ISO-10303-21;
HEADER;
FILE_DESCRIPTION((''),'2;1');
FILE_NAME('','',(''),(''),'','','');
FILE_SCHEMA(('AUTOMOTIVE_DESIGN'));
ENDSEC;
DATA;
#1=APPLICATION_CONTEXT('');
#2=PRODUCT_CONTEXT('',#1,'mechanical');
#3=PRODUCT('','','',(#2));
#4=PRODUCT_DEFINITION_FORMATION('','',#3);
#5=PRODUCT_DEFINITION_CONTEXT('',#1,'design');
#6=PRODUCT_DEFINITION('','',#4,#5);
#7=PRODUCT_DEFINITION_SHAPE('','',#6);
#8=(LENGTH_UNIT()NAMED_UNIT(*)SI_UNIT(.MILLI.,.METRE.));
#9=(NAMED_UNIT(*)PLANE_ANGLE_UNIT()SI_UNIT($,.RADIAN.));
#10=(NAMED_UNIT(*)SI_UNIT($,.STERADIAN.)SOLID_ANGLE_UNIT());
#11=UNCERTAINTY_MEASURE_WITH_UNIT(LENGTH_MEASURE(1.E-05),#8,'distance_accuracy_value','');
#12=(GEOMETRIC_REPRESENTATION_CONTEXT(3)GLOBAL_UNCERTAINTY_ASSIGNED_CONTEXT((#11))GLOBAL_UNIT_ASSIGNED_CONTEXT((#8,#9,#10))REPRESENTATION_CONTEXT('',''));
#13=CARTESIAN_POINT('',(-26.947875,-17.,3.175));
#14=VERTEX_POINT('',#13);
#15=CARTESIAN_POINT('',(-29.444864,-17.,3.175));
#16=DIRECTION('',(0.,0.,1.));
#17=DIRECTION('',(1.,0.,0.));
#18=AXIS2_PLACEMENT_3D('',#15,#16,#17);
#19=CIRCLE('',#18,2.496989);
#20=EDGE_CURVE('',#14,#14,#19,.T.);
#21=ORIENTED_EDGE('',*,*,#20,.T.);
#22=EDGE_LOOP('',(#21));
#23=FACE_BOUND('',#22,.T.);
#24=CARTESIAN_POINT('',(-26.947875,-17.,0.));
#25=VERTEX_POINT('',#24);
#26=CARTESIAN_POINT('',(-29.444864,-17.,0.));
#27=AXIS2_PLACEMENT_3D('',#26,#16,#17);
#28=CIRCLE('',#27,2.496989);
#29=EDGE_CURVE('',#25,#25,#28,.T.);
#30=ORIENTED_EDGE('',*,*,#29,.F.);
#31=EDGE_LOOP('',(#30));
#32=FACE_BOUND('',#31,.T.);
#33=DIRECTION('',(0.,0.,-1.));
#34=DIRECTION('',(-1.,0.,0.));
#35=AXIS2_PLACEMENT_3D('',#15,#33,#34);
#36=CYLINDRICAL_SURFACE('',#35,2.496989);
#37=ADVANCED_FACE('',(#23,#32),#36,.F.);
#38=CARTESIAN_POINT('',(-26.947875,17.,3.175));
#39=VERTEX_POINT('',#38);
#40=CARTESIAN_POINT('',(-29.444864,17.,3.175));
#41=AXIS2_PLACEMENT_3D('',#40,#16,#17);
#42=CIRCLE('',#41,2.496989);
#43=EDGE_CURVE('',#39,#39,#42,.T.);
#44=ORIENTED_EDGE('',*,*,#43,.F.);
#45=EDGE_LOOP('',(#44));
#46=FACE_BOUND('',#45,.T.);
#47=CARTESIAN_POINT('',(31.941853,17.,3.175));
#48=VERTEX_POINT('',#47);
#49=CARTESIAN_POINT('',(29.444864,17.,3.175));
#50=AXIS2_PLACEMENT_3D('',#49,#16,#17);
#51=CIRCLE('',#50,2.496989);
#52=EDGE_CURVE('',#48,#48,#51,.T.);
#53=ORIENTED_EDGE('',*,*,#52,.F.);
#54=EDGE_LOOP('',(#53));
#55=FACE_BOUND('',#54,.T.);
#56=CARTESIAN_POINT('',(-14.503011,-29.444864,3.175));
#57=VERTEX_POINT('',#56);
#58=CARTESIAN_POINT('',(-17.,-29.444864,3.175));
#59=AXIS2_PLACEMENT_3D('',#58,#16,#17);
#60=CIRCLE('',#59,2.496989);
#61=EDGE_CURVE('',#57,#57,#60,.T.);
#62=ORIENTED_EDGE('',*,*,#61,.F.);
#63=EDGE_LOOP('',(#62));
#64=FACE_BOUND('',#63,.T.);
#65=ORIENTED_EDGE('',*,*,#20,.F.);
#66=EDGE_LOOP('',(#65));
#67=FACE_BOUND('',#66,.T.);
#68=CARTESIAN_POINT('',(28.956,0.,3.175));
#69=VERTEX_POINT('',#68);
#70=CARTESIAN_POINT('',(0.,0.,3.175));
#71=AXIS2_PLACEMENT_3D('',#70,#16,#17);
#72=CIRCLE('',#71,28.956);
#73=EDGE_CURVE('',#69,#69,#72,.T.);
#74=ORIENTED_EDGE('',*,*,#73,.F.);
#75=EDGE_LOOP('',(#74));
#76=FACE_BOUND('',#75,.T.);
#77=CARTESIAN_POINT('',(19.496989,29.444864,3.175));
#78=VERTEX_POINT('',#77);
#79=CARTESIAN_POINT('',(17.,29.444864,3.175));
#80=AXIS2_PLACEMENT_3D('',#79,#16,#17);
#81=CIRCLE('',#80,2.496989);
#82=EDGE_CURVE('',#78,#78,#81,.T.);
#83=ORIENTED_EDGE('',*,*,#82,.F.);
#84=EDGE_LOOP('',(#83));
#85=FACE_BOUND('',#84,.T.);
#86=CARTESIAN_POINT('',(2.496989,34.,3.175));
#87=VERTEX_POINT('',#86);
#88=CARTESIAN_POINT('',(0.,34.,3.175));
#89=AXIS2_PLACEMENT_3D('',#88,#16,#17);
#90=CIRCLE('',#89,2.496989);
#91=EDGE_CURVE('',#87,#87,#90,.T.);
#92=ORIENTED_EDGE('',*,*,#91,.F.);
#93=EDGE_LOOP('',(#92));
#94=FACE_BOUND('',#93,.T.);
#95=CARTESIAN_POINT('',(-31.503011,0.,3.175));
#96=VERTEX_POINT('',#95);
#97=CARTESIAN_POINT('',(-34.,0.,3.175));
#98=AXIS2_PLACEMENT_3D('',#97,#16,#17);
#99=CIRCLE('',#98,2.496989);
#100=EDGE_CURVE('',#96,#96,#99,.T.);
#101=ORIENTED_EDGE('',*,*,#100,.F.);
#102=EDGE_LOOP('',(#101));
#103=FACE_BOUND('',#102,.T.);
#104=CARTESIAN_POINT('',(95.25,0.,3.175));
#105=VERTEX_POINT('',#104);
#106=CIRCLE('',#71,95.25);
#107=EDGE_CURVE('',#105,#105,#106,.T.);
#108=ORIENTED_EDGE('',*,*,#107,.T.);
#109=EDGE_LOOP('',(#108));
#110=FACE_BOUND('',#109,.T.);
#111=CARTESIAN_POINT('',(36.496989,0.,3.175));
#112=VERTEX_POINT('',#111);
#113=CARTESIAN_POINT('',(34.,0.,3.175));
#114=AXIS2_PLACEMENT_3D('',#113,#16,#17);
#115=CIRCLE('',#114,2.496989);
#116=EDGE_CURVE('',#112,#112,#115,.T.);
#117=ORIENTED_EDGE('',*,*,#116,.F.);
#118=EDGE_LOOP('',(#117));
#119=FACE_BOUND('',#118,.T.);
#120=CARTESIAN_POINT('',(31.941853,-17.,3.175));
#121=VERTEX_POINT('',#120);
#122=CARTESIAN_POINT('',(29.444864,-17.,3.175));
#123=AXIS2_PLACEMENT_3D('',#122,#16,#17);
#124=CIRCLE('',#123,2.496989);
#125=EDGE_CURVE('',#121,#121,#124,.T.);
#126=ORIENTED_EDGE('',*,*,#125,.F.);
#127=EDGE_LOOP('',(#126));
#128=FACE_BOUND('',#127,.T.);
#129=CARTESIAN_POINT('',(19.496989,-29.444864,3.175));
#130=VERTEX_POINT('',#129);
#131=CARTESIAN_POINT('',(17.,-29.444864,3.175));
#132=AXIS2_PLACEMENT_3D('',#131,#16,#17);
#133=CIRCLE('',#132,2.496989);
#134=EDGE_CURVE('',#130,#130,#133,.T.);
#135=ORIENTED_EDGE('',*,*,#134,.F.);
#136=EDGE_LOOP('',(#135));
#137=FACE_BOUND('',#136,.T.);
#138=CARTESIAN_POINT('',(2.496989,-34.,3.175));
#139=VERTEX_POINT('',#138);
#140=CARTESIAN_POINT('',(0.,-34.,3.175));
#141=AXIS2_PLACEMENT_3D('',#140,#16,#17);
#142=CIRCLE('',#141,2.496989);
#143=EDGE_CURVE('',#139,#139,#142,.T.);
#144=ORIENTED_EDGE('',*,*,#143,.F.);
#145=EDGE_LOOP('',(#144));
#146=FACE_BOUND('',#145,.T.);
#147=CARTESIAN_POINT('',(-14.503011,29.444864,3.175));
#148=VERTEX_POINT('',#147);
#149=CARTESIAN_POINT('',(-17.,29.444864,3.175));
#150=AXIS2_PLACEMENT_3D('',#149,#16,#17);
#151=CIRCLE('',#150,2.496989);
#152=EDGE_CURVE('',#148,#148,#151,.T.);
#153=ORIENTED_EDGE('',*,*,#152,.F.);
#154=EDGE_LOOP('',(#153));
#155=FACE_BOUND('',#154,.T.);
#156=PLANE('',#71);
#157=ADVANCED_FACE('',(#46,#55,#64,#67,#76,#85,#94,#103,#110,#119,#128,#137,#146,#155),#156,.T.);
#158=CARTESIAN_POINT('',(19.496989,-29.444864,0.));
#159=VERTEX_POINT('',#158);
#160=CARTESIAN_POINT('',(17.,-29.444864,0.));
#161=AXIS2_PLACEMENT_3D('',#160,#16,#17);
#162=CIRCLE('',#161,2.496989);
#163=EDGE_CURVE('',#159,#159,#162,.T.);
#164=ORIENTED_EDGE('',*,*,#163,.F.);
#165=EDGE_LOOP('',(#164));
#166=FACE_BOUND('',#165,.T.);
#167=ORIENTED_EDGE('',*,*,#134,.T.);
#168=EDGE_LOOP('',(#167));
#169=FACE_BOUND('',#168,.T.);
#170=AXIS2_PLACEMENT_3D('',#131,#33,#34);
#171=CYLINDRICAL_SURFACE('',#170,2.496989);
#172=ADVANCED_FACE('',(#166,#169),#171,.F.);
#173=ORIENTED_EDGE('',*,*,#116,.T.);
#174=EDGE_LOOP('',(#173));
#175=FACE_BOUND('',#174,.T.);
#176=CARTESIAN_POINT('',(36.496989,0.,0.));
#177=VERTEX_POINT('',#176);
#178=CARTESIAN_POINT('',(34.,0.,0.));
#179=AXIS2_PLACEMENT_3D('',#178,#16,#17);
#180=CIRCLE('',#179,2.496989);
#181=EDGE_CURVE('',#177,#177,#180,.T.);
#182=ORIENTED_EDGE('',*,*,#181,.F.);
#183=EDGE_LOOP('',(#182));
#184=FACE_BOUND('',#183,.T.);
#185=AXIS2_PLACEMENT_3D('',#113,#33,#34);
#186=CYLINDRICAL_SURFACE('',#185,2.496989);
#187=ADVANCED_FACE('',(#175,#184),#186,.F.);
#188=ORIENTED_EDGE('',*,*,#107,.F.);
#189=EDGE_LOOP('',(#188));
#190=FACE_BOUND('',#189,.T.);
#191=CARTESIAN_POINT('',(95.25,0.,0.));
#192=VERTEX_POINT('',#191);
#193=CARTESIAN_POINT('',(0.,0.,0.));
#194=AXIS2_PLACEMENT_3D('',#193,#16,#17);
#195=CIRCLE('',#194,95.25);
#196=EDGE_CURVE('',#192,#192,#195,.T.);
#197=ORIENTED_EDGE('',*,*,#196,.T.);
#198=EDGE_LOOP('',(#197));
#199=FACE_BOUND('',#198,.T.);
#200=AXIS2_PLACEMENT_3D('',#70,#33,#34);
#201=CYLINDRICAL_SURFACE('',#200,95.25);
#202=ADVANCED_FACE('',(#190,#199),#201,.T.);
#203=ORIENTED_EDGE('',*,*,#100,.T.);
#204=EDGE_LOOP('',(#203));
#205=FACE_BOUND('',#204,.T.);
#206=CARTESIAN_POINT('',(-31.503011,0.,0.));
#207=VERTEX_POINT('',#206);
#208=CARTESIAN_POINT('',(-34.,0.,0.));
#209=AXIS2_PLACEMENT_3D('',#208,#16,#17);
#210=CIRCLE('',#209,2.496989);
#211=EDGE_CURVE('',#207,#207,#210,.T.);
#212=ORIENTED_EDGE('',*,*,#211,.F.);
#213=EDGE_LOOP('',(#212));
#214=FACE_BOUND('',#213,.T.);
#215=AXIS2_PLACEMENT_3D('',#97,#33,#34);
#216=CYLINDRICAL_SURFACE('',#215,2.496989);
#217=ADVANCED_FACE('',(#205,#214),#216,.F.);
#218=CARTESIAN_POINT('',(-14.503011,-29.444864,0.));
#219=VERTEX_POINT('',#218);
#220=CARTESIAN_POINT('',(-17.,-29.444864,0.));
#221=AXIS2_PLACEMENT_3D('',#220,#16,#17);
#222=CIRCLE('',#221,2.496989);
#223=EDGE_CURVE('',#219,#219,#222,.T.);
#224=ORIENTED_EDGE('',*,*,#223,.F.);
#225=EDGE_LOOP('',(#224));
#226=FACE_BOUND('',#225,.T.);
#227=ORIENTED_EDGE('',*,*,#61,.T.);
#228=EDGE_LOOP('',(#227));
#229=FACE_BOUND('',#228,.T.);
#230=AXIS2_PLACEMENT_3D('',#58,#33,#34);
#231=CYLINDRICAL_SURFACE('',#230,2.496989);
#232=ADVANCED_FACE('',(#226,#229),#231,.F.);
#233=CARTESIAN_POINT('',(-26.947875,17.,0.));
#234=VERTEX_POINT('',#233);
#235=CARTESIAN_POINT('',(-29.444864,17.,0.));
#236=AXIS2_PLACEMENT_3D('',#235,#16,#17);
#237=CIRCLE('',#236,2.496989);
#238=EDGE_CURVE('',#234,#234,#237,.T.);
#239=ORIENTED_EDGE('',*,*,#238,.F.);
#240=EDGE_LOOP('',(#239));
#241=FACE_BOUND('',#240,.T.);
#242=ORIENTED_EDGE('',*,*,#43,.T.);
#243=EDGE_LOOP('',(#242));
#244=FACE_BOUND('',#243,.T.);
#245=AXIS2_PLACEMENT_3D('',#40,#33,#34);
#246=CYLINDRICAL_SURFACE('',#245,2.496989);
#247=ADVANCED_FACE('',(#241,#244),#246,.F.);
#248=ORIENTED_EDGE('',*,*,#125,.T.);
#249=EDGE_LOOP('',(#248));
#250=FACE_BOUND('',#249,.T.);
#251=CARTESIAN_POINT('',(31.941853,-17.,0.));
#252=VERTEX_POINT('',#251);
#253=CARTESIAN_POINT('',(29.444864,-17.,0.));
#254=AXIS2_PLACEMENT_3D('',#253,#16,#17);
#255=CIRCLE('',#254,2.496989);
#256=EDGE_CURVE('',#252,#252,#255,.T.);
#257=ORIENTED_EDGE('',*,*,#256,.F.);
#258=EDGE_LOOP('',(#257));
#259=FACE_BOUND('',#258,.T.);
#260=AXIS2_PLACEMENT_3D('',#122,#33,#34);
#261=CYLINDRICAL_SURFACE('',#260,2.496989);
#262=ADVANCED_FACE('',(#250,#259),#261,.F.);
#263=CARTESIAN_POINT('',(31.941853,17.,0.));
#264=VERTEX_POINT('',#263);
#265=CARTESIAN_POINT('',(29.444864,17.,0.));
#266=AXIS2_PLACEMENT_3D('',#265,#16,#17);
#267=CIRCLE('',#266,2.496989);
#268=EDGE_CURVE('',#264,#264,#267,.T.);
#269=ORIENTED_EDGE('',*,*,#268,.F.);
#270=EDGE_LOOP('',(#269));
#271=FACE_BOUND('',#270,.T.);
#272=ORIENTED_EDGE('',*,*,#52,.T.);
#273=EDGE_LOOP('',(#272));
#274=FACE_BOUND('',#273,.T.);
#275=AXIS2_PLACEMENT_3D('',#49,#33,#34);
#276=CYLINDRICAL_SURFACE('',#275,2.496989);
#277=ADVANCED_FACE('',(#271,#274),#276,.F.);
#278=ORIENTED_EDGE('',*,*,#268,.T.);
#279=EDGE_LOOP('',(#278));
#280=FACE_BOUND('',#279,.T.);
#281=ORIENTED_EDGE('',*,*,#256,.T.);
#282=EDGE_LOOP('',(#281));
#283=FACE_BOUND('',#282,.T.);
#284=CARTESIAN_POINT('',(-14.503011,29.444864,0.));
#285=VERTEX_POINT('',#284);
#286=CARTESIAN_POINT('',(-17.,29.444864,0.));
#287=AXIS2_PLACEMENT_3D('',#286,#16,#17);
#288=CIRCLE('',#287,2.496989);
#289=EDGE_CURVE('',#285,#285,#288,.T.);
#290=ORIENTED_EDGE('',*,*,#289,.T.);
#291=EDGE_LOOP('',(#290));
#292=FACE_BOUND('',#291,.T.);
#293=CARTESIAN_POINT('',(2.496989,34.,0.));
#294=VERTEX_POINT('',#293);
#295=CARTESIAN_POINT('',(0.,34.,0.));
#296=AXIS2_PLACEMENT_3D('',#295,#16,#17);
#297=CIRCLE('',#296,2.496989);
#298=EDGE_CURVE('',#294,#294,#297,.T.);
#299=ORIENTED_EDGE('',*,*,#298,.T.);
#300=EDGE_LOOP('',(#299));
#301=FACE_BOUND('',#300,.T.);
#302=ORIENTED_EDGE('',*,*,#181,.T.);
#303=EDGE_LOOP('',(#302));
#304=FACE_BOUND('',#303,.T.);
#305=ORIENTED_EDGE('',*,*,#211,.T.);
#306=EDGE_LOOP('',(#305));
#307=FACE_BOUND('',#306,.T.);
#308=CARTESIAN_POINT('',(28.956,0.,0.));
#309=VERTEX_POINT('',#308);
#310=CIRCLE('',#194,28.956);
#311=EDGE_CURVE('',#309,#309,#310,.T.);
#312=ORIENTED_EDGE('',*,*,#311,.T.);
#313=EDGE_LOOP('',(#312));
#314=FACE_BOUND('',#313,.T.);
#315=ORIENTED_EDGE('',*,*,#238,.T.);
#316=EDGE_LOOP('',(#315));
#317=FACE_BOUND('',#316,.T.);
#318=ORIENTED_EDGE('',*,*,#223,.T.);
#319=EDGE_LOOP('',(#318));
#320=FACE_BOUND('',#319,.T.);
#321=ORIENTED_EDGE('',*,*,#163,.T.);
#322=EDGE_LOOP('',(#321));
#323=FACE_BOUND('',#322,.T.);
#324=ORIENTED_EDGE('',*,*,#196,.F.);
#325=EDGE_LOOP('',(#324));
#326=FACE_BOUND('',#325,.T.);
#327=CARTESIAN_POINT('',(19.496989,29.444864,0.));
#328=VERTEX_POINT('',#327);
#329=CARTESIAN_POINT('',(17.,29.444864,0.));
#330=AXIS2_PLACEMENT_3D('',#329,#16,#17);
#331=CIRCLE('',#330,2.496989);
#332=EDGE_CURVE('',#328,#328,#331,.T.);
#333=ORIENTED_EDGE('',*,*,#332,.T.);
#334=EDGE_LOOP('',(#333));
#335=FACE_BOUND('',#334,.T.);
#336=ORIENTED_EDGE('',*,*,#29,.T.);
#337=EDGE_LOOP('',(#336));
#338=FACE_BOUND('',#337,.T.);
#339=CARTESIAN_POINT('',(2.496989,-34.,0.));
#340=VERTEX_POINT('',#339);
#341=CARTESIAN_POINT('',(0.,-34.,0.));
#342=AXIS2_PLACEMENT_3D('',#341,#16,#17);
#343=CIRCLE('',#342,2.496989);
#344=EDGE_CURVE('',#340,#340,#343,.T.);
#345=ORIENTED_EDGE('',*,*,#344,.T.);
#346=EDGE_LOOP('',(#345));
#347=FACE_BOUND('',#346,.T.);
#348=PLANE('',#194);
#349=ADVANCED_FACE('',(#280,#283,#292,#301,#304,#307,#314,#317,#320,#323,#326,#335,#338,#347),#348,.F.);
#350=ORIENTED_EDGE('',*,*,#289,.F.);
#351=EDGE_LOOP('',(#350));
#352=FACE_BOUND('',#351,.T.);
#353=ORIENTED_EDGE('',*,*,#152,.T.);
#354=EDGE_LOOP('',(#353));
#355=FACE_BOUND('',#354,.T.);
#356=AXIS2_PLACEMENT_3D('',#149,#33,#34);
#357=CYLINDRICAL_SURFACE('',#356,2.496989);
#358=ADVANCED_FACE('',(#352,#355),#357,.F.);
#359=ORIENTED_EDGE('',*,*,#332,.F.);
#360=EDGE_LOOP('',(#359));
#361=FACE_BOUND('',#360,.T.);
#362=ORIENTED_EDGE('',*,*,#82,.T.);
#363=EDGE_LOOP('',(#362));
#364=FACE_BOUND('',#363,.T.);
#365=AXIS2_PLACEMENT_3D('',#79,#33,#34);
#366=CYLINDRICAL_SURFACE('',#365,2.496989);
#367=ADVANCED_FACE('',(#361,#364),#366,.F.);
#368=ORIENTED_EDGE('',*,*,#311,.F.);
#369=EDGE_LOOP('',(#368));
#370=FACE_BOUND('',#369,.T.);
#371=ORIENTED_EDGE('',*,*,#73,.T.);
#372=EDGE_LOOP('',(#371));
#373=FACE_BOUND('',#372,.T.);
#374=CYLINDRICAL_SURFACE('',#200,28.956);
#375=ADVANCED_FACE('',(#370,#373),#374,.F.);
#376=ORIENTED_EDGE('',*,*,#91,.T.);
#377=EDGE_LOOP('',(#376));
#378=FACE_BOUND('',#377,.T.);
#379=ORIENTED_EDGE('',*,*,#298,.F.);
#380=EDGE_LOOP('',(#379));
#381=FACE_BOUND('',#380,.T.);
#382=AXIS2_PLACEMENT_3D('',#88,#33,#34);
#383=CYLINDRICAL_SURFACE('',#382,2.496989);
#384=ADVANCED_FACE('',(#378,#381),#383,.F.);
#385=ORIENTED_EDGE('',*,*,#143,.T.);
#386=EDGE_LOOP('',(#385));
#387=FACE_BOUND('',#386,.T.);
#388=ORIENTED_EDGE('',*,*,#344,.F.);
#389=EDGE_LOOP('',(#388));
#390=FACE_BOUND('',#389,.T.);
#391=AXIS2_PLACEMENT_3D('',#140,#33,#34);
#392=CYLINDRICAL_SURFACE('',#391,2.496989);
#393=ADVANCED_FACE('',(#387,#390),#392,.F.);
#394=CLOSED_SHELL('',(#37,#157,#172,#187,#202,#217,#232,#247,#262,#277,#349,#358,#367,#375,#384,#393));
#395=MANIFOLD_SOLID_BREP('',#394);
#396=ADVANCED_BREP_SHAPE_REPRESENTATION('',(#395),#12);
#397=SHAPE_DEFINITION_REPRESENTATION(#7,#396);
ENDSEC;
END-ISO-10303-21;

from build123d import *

# Parameters (mm, degrees)
SKETCH1_R           = 95.25
SKETCH1_R_2         = 28.956
SKETCH1_R_3         = 2.49698907
BOSS_EXTRUDE1_DEPTH = 3.175


with BuildPart() as part:
    # Sketch1 → Boss-Extrude1 (new body)
    with BuildSketch(Plane.XY):
        Circle(SKETCH1_R)
        Circle(SKETCH1_R_2, mode=Mode.SUBTRACT)
        with Locations((0, 34)):
            Circle(SKETCH1_R_3, mode=Mode.SUBTRACT)
        with Locations((17, 29.444863729)):
            Circle(SKETCH1_R_3, mode=Mode.SUBTRACT)
        with Locations((29.444863729, 17)):
            Circle(SKETCH1_R_3, mode=Mode.SUBTRACT)
        with Locations((34, 0)):
            Circle(SKETCH1_R_3, mode=Mode.SUBTRACT)
        with Locations((29.444863729, -17)):
            Circle(SKETCH1_R_3, mode=Mode.SUBTRACT)
        with Locations((17, -29.444863729)):
            Circle(SKETCH1_R_3, mode=Mode.SUBTRACT)
        with Locations((0, -34)):
            Circle(SKETCH1_R_3, mode=Mode.SUBTRACT)
        with Locations((-17, -29.444863729)):
            Circle(SKETCH1_R_3, mode=Mode.SUBTRACT)
        with Locations((-29.444863729, -17)):
            Circle(SKETCH1_R_3, mode=Mode.SUBTRACT)
        with Locations((-34, 0)):
            Circle(SKETCH1_R_3, mode=Mode.SUBTRACT)
        with Locations((-29.444863729, 17)):
            Circle(SKETCH1_R_3, mode=Mode.SUBTRACT)
        with Locations((-17, 29.444863729)):
            Circle(SKETCH1_R_3, mode=Mode.SUBTRACT)
    extrude(amount=BOSS_EXTRUDE1_DEPTH)


solid = part.part
